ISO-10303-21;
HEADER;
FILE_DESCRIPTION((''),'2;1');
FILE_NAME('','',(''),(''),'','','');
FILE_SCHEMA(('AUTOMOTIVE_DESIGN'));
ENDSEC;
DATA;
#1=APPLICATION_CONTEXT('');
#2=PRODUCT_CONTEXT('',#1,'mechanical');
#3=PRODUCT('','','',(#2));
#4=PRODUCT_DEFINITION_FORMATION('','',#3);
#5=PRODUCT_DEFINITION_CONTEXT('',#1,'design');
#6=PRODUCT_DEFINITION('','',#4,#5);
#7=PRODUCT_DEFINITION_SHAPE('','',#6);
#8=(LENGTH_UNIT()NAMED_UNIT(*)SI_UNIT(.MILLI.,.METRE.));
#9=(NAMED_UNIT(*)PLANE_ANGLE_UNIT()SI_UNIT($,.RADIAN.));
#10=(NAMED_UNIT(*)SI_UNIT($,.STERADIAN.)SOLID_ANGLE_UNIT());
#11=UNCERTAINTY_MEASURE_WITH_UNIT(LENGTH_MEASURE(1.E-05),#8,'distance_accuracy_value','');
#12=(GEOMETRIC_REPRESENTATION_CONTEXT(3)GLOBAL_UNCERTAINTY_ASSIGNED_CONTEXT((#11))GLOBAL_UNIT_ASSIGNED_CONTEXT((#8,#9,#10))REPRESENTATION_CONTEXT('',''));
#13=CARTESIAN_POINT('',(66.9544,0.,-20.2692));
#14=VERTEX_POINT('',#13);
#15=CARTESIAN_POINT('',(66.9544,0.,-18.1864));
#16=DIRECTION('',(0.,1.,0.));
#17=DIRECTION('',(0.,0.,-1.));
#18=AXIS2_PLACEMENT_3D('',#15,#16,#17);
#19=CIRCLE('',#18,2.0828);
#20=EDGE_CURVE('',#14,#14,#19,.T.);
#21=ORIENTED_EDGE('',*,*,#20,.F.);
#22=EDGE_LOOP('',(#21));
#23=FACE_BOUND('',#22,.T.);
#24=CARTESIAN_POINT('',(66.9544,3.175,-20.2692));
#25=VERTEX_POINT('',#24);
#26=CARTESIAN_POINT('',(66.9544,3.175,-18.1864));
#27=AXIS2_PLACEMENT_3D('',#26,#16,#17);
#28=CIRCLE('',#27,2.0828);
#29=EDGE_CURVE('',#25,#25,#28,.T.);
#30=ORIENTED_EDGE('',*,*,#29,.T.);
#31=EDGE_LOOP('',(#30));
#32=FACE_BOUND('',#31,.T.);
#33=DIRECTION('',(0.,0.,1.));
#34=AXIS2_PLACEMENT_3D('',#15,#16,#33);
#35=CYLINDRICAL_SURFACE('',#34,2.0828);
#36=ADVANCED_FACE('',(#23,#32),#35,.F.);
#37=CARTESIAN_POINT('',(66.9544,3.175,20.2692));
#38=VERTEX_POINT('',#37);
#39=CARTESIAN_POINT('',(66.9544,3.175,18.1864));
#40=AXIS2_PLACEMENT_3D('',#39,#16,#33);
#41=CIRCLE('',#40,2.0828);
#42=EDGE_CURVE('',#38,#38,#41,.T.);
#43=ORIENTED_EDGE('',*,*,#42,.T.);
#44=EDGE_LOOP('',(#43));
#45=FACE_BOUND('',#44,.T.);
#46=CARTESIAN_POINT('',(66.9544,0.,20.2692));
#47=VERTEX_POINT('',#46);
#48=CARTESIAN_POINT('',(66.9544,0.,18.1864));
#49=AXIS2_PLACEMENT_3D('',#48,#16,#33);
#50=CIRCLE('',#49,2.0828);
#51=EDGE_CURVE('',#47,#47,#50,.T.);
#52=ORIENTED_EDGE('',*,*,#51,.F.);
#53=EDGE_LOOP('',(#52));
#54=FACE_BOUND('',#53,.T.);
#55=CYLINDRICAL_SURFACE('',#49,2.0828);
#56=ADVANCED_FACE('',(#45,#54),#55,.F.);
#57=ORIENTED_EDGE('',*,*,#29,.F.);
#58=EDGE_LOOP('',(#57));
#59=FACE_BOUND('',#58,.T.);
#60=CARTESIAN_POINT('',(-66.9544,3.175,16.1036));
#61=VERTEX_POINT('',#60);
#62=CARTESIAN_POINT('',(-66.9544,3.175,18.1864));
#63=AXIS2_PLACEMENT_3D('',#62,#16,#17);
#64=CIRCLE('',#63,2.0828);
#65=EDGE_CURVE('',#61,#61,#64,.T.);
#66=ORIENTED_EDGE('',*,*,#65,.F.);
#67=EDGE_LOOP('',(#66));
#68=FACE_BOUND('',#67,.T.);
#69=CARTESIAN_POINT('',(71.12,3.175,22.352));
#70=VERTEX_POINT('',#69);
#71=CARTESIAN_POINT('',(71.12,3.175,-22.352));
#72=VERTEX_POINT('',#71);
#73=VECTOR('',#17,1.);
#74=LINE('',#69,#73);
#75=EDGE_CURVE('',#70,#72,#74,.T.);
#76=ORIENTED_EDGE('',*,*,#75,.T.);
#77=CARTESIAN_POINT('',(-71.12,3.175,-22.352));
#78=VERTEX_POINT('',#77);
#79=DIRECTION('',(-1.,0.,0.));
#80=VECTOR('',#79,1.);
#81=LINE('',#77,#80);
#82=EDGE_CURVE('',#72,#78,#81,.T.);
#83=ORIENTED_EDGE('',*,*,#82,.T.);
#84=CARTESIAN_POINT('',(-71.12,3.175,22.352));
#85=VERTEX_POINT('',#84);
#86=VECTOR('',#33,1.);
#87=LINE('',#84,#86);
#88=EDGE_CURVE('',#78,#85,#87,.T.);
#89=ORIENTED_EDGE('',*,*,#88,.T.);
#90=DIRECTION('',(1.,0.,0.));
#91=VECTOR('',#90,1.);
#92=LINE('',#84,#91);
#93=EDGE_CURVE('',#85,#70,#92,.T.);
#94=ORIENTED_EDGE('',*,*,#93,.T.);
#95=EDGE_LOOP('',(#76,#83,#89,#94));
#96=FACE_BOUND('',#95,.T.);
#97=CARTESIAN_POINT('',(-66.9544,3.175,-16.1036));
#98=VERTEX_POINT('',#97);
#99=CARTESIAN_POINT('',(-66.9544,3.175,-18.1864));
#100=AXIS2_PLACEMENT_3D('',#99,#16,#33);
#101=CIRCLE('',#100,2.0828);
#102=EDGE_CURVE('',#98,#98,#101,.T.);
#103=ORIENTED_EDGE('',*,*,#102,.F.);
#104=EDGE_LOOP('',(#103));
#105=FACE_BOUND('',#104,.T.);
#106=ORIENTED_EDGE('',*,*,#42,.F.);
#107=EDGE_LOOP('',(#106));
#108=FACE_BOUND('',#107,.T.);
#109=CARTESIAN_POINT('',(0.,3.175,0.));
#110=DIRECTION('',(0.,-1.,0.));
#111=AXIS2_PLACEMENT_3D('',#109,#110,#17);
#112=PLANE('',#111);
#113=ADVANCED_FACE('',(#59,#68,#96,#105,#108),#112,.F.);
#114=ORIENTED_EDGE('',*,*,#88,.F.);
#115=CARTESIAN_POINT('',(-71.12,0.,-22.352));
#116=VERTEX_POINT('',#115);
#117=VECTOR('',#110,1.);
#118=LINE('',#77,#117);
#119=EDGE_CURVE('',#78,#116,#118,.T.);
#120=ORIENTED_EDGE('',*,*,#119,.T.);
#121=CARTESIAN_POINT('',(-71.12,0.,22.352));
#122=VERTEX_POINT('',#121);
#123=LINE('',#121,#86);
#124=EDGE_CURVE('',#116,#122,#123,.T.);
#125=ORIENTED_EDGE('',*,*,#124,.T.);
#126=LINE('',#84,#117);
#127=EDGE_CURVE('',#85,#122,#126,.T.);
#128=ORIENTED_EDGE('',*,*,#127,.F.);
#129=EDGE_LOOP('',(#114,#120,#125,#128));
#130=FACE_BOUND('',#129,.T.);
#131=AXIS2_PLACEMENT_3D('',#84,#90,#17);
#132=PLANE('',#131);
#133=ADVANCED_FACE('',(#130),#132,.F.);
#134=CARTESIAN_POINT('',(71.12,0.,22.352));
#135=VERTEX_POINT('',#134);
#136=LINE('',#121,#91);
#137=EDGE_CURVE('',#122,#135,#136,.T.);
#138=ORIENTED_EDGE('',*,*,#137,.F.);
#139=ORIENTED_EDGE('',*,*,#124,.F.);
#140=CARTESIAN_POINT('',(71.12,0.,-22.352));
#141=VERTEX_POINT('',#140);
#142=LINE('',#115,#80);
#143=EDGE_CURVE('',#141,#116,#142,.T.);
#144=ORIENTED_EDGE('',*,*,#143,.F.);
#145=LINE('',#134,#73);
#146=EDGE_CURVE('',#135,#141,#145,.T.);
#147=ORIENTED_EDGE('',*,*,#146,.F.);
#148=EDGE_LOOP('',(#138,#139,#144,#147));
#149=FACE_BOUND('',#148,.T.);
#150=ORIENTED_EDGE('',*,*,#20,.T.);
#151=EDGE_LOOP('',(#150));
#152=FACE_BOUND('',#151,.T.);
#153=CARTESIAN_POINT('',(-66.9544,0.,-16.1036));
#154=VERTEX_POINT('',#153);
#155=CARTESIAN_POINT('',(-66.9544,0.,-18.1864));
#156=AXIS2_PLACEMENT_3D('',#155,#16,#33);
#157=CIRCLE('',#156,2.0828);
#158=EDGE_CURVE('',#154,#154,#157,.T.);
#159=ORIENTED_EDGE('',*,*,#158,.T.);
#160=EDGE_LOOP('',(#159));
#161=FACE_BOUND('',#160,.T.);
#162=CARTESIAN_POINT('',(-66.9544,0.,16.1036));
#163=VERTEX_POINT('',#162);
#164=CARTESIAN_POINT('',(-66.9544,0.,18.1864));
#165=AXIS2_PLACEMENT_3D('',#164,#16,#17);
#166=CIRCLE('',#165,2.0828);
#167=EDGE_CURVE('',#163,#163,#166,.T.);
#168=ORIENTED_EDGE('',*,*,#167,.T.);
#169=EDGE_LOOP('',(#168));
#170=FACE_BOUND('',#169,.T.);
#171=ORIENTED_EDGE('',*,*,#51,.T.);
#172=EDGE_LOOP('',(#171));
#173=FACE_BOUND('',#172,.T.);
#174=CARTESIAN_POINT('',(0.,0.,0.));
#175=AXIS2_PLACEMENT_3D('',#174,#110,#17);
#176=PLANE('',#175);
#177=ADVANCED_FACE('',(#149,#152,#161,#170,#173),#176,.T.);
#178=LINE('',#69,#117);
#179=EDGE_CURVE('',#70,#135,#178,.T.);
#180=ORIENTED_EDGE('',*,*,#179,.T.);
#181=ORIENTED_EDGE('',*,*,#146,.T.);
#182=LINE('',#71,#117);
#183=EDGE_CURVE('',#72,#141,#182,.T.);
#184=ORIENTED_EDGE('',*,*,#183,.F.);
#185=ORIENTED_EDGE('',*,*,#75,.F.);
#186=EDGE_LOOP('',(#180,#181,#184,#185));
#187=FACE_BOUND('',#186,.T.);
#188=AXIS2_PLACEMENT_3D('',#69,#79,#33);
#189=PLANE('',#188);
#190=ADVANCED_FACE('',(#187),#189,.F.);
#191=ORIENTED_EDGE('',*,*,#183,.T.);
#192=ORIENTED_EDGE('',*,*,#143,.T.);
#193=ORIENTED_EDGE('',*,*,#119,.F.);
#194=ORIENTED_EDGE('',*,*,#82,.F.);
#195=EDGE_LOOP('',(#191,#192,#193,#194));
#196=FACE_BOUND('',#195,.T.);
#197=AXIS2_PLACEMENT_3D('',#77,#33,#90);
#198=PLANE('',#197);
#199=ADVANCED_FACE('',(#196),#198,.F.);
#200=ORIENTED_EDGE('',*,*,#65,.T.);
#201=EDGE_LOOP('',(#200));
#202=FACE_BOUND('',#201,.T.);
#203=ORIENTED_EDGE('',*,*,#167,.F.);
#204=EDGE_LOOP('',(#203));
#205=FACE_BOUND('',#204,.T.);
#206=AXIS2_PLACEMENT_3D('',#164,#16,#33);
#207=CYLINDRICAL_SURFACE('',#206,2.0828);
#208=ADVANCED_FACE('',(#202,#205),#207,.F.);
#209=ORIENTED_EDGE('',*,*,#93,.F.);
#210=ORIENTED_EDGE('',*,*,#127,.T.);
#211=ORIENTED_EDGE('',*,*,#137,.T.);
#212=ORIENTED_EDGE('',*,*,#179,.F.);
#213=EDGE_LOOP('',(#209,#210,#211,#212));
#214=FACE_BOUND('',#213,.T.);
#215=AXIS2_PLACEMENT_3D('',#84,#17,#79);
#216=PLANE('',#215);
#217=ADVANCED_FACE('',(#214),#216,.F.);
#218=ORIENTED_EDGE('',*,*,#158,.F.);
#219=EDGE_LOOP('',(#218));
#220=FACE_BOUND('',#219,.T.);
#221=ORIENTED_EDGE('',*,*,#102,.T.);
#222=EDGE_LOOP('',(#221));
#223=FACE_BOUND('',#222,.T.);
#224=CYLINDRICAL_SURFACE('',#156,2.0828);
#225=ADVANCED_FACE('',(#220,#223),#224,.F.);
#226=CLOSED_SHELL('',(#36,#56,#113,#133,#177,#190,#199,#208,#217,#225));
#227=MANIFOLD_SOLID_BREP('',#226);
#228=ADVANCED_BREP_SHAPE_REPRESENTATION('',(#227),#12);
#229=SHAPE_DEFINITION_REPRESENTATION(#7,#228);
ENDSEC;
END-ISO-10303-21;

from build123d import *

# Parameters (mm, degrees)
SKETCH1_W           = 142.24
SKETCH1_H           = 44.704
BOSS_EXTRUDE1_DEPTH = 3.175
SKETCH2_R           = 2.0828
CUT_EXTRUDE1_DEPTH  = 75.617336652


with BuildPart() as part:
    # Sketch1 → Boss-Extrude1 (new body)
    with BuildSketch(Plane(origin=(0, 0, 0), x_dir=(1, 0, 0), z_dir=(0, 1, 0))):
        Rectangle(SKETCH1_W, SKETCH1_H)
    extrude(amount=BOSS_EXTRUDE1_DEPTH)

    # Sketch2 → Cut-Extrude1 (cut, through all)
    with BuildSketch(Plane(origin=(0, 3.175, 0), x_dir=(1, 0, 0), z_dir=(0, 1, 0))):
        with Locations(Location((-66.9544, 18.1864, 0), (0, 0, 270))):
            Circle(SKETCH2_R)
        with Locations(Location((-66.9544, -18.1864, 0), (0, 0, 90))):
            Circle(SKETCH2_R)
        with Locations(Location((66.9544, 18.1864, 0), (0, 0, 90))):
            Circle(SKETCH2_R)
        with Locations(Location((66.9544, -18.1864, 0), (0, 0, 270))):
            Circle(SKETCH2_R)
    extrude(amount=-CUT_EXTRUDE1_DEPTH, mode=Mode.SUBTRACT)


solid = part.part
